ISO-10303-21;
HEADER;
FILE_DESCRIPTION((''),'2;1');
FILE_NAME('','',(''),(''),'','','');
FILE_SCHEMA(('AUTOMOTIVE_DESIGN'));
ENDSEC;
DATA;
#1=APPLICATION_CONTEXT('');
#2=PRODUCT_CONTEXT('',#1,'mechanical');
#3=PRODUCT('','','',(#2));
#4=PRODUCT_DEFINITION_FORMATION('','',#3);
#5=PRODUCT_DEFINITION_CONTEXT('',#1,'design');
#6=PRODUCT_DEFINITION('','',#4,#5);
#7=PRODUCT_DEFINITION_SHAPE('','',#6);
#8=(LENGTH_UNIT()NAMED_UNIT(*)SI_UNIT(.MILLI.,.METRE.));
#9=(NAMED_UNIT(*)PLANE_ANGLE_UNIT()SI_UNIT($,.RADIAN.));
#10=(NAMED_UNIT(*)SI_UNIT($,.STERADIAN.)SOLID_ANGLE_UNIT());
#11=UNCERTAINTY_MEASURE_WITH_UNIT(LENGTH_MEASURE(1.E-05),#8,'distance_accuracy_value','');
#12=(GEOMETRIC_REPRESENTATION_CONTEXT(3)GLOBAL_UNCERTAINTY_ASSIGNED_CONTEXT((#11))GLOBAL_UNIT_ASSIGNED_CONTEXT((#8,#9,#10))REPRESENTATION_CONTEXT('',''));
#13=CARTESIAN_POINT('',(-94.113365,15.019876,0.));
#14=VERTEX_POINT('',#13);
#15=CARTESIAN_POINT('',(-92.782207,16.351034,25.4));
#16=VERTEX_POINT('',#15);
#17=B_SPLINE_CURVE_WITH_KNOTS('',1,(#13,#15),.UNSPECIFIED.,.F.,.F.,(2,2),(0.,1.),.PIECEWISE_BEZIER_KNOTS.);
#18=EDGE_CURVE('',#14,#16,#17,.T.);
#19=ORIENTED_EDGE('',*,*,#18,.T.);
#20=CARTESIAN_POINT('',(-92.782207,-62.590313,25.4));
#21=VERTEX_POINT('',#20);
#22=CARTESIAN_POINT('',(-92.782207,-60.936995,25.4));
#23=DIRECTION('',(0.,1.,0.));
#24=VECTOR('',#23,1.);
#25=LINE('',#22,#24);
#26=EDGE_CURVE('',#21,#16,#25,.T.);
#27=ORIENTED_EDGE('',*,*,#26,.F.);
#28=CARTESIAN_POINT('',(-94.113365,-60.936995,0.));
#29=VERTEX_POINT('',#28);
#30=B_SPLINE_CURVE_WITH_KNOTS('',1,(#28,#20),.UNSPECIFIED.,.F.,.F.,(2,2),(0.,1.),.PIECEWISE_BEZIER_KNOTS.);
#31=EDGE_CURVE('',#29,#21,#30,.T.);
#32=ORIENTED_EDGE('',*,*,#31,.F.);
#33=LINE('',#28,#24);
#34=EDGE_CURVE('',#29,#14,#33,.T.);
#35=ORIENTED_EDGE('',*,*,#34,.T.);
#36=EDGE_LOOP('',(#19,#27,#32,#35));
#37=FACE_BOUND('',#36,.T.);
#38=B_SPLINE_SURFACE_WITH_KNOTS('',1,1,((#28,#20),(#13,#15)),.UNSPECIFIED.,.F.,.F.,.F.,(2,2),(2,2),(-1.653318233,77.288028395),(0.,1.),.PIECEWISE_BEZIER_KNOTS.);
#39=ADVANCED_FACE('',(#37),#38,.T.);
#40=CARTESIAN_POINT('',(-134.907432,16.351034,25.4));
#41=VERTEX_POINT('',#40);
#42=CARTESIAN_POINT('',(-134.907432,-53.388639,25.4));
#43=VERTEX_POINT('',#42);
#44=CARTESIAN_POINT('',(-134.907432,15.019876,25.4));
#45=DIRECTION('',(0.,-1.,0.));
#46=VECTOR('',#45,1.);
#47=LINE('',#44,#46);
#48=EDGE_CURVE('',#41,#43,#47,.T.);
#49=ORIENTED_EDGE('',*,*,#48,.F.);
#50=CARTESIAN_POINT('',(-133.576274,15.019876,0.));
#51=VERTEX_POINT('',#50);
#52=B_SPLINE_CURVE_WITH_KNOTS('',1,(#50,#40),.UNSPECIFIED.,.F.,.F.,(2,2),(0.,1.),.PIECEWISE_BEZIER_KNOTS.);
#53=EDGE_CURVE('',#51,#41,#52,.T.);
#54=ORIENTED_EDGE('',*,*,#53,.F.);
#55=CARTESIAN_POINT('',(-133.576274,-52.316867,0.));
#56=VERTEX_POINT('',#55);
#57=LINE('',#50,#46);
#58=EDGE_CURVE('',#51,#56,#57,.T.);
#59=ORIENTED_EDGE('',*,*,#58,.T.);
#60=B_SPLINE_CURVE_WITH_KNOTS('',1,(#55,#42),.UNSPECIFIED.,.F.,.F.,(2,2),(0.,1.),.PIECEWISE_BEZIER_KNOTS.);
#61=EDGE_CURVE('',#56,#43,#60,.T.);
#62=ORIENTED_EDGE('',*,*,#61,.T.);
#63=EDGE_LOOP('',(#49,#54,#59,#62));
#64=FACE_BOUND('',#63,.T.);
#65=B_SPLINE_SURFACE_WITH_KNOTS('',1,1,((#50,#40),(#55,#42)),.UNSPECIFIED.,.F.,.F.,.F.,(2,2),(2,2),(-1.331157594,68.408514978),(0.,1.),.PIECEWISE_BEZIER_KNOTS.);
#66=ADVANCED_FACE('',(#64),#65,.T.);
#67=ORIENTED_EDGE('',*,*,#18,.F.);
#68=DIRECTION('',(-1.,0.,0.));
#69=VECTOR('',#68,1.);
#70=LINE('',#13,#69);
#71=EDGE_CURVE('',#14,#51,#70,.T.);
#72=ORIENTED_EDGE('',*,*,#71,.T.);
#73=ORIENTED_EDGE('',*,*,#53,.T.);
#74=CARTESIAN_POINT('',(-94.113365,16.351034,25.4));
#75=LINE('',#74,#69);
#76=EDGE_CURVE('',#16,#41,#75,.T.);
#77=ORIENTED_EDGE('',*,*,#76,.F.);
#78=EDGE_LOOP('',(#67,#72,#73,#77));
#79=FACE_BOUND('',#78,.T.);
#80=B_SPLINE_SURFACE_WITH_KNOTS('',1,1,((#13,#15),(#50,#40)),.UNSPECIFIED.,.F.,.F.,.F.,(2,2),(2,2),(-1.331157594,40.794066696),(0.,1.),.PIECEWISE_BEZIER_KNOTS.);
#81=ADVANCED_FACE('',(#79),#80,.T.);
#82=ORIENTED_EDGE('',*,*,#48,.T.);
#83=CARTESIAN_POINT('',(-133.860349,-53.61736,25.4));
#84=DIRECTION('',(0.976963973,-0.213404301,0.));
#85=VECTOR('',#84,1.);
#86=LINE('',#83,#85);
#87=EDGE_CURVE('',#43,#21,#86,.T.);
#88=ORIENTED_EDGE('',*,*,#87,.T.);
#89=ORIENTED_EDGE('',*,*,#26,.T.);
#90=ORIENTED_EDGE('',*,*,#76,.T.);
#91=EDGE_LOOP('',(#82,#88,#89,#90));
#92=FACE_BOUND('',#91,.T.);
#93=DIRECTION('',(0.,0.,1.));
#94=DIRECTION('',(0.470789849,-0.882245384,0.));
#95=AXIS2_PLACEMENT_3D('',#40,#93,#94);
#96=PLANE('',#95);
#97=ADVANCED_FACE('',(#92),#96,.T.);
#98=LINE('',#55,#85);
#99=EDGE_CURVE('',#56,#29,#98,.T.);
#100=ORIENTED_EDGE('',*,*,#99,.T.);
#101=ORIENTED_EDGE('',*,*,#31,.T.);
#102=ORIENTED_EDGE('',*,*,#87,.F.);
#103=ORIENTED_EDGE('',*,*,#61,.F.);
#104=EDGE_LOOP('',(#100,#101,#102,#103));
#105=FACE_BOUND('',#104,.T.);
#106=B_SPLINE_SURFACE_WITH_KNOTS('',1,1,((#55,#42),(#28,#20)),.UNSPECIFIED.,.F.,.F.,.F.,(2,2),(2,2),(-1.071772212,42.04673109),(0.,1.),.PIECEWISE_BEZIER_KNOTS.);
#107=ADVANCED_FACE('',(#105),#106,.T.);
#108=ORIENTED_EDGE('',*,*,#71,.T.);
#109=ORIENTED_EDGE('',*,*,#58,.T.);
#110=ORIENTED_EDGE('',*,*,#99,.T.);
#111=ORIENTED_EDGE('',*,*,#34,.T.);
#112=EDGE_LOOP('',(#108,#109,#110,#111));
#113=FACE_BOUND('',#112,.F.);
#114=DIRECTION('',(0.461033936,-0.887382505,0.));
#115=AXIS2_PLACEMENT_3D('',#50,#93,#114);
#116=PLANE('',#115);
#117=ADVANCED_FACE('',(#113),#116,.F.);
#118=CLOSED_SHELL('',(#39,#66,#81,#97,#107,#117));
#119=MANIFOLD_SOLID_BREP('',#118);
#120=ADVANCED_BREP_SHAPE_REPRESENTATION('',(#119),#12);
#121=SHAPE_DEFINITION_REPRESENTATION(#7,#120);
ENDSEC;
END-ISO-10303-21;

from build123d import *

# Parameters (mm, degrees)
F1_DEPTH = 25.4
F1_TAPER = -3


with BuildPart() as f1:
    # F0 (on Top) → F1 (new body)
    with BuildSketch(Plane.XY):
        Polygon((-133.5762739182, 15.0198759511), (-133.5762739182, -52.3168668151), (-94.1133648157, -60.9369948506), (-94.1133648157, 15.0198759511), align=None)
    extrude(amount=F1_DEPTH, taper=F1_TAPER)


solid = f1.part
